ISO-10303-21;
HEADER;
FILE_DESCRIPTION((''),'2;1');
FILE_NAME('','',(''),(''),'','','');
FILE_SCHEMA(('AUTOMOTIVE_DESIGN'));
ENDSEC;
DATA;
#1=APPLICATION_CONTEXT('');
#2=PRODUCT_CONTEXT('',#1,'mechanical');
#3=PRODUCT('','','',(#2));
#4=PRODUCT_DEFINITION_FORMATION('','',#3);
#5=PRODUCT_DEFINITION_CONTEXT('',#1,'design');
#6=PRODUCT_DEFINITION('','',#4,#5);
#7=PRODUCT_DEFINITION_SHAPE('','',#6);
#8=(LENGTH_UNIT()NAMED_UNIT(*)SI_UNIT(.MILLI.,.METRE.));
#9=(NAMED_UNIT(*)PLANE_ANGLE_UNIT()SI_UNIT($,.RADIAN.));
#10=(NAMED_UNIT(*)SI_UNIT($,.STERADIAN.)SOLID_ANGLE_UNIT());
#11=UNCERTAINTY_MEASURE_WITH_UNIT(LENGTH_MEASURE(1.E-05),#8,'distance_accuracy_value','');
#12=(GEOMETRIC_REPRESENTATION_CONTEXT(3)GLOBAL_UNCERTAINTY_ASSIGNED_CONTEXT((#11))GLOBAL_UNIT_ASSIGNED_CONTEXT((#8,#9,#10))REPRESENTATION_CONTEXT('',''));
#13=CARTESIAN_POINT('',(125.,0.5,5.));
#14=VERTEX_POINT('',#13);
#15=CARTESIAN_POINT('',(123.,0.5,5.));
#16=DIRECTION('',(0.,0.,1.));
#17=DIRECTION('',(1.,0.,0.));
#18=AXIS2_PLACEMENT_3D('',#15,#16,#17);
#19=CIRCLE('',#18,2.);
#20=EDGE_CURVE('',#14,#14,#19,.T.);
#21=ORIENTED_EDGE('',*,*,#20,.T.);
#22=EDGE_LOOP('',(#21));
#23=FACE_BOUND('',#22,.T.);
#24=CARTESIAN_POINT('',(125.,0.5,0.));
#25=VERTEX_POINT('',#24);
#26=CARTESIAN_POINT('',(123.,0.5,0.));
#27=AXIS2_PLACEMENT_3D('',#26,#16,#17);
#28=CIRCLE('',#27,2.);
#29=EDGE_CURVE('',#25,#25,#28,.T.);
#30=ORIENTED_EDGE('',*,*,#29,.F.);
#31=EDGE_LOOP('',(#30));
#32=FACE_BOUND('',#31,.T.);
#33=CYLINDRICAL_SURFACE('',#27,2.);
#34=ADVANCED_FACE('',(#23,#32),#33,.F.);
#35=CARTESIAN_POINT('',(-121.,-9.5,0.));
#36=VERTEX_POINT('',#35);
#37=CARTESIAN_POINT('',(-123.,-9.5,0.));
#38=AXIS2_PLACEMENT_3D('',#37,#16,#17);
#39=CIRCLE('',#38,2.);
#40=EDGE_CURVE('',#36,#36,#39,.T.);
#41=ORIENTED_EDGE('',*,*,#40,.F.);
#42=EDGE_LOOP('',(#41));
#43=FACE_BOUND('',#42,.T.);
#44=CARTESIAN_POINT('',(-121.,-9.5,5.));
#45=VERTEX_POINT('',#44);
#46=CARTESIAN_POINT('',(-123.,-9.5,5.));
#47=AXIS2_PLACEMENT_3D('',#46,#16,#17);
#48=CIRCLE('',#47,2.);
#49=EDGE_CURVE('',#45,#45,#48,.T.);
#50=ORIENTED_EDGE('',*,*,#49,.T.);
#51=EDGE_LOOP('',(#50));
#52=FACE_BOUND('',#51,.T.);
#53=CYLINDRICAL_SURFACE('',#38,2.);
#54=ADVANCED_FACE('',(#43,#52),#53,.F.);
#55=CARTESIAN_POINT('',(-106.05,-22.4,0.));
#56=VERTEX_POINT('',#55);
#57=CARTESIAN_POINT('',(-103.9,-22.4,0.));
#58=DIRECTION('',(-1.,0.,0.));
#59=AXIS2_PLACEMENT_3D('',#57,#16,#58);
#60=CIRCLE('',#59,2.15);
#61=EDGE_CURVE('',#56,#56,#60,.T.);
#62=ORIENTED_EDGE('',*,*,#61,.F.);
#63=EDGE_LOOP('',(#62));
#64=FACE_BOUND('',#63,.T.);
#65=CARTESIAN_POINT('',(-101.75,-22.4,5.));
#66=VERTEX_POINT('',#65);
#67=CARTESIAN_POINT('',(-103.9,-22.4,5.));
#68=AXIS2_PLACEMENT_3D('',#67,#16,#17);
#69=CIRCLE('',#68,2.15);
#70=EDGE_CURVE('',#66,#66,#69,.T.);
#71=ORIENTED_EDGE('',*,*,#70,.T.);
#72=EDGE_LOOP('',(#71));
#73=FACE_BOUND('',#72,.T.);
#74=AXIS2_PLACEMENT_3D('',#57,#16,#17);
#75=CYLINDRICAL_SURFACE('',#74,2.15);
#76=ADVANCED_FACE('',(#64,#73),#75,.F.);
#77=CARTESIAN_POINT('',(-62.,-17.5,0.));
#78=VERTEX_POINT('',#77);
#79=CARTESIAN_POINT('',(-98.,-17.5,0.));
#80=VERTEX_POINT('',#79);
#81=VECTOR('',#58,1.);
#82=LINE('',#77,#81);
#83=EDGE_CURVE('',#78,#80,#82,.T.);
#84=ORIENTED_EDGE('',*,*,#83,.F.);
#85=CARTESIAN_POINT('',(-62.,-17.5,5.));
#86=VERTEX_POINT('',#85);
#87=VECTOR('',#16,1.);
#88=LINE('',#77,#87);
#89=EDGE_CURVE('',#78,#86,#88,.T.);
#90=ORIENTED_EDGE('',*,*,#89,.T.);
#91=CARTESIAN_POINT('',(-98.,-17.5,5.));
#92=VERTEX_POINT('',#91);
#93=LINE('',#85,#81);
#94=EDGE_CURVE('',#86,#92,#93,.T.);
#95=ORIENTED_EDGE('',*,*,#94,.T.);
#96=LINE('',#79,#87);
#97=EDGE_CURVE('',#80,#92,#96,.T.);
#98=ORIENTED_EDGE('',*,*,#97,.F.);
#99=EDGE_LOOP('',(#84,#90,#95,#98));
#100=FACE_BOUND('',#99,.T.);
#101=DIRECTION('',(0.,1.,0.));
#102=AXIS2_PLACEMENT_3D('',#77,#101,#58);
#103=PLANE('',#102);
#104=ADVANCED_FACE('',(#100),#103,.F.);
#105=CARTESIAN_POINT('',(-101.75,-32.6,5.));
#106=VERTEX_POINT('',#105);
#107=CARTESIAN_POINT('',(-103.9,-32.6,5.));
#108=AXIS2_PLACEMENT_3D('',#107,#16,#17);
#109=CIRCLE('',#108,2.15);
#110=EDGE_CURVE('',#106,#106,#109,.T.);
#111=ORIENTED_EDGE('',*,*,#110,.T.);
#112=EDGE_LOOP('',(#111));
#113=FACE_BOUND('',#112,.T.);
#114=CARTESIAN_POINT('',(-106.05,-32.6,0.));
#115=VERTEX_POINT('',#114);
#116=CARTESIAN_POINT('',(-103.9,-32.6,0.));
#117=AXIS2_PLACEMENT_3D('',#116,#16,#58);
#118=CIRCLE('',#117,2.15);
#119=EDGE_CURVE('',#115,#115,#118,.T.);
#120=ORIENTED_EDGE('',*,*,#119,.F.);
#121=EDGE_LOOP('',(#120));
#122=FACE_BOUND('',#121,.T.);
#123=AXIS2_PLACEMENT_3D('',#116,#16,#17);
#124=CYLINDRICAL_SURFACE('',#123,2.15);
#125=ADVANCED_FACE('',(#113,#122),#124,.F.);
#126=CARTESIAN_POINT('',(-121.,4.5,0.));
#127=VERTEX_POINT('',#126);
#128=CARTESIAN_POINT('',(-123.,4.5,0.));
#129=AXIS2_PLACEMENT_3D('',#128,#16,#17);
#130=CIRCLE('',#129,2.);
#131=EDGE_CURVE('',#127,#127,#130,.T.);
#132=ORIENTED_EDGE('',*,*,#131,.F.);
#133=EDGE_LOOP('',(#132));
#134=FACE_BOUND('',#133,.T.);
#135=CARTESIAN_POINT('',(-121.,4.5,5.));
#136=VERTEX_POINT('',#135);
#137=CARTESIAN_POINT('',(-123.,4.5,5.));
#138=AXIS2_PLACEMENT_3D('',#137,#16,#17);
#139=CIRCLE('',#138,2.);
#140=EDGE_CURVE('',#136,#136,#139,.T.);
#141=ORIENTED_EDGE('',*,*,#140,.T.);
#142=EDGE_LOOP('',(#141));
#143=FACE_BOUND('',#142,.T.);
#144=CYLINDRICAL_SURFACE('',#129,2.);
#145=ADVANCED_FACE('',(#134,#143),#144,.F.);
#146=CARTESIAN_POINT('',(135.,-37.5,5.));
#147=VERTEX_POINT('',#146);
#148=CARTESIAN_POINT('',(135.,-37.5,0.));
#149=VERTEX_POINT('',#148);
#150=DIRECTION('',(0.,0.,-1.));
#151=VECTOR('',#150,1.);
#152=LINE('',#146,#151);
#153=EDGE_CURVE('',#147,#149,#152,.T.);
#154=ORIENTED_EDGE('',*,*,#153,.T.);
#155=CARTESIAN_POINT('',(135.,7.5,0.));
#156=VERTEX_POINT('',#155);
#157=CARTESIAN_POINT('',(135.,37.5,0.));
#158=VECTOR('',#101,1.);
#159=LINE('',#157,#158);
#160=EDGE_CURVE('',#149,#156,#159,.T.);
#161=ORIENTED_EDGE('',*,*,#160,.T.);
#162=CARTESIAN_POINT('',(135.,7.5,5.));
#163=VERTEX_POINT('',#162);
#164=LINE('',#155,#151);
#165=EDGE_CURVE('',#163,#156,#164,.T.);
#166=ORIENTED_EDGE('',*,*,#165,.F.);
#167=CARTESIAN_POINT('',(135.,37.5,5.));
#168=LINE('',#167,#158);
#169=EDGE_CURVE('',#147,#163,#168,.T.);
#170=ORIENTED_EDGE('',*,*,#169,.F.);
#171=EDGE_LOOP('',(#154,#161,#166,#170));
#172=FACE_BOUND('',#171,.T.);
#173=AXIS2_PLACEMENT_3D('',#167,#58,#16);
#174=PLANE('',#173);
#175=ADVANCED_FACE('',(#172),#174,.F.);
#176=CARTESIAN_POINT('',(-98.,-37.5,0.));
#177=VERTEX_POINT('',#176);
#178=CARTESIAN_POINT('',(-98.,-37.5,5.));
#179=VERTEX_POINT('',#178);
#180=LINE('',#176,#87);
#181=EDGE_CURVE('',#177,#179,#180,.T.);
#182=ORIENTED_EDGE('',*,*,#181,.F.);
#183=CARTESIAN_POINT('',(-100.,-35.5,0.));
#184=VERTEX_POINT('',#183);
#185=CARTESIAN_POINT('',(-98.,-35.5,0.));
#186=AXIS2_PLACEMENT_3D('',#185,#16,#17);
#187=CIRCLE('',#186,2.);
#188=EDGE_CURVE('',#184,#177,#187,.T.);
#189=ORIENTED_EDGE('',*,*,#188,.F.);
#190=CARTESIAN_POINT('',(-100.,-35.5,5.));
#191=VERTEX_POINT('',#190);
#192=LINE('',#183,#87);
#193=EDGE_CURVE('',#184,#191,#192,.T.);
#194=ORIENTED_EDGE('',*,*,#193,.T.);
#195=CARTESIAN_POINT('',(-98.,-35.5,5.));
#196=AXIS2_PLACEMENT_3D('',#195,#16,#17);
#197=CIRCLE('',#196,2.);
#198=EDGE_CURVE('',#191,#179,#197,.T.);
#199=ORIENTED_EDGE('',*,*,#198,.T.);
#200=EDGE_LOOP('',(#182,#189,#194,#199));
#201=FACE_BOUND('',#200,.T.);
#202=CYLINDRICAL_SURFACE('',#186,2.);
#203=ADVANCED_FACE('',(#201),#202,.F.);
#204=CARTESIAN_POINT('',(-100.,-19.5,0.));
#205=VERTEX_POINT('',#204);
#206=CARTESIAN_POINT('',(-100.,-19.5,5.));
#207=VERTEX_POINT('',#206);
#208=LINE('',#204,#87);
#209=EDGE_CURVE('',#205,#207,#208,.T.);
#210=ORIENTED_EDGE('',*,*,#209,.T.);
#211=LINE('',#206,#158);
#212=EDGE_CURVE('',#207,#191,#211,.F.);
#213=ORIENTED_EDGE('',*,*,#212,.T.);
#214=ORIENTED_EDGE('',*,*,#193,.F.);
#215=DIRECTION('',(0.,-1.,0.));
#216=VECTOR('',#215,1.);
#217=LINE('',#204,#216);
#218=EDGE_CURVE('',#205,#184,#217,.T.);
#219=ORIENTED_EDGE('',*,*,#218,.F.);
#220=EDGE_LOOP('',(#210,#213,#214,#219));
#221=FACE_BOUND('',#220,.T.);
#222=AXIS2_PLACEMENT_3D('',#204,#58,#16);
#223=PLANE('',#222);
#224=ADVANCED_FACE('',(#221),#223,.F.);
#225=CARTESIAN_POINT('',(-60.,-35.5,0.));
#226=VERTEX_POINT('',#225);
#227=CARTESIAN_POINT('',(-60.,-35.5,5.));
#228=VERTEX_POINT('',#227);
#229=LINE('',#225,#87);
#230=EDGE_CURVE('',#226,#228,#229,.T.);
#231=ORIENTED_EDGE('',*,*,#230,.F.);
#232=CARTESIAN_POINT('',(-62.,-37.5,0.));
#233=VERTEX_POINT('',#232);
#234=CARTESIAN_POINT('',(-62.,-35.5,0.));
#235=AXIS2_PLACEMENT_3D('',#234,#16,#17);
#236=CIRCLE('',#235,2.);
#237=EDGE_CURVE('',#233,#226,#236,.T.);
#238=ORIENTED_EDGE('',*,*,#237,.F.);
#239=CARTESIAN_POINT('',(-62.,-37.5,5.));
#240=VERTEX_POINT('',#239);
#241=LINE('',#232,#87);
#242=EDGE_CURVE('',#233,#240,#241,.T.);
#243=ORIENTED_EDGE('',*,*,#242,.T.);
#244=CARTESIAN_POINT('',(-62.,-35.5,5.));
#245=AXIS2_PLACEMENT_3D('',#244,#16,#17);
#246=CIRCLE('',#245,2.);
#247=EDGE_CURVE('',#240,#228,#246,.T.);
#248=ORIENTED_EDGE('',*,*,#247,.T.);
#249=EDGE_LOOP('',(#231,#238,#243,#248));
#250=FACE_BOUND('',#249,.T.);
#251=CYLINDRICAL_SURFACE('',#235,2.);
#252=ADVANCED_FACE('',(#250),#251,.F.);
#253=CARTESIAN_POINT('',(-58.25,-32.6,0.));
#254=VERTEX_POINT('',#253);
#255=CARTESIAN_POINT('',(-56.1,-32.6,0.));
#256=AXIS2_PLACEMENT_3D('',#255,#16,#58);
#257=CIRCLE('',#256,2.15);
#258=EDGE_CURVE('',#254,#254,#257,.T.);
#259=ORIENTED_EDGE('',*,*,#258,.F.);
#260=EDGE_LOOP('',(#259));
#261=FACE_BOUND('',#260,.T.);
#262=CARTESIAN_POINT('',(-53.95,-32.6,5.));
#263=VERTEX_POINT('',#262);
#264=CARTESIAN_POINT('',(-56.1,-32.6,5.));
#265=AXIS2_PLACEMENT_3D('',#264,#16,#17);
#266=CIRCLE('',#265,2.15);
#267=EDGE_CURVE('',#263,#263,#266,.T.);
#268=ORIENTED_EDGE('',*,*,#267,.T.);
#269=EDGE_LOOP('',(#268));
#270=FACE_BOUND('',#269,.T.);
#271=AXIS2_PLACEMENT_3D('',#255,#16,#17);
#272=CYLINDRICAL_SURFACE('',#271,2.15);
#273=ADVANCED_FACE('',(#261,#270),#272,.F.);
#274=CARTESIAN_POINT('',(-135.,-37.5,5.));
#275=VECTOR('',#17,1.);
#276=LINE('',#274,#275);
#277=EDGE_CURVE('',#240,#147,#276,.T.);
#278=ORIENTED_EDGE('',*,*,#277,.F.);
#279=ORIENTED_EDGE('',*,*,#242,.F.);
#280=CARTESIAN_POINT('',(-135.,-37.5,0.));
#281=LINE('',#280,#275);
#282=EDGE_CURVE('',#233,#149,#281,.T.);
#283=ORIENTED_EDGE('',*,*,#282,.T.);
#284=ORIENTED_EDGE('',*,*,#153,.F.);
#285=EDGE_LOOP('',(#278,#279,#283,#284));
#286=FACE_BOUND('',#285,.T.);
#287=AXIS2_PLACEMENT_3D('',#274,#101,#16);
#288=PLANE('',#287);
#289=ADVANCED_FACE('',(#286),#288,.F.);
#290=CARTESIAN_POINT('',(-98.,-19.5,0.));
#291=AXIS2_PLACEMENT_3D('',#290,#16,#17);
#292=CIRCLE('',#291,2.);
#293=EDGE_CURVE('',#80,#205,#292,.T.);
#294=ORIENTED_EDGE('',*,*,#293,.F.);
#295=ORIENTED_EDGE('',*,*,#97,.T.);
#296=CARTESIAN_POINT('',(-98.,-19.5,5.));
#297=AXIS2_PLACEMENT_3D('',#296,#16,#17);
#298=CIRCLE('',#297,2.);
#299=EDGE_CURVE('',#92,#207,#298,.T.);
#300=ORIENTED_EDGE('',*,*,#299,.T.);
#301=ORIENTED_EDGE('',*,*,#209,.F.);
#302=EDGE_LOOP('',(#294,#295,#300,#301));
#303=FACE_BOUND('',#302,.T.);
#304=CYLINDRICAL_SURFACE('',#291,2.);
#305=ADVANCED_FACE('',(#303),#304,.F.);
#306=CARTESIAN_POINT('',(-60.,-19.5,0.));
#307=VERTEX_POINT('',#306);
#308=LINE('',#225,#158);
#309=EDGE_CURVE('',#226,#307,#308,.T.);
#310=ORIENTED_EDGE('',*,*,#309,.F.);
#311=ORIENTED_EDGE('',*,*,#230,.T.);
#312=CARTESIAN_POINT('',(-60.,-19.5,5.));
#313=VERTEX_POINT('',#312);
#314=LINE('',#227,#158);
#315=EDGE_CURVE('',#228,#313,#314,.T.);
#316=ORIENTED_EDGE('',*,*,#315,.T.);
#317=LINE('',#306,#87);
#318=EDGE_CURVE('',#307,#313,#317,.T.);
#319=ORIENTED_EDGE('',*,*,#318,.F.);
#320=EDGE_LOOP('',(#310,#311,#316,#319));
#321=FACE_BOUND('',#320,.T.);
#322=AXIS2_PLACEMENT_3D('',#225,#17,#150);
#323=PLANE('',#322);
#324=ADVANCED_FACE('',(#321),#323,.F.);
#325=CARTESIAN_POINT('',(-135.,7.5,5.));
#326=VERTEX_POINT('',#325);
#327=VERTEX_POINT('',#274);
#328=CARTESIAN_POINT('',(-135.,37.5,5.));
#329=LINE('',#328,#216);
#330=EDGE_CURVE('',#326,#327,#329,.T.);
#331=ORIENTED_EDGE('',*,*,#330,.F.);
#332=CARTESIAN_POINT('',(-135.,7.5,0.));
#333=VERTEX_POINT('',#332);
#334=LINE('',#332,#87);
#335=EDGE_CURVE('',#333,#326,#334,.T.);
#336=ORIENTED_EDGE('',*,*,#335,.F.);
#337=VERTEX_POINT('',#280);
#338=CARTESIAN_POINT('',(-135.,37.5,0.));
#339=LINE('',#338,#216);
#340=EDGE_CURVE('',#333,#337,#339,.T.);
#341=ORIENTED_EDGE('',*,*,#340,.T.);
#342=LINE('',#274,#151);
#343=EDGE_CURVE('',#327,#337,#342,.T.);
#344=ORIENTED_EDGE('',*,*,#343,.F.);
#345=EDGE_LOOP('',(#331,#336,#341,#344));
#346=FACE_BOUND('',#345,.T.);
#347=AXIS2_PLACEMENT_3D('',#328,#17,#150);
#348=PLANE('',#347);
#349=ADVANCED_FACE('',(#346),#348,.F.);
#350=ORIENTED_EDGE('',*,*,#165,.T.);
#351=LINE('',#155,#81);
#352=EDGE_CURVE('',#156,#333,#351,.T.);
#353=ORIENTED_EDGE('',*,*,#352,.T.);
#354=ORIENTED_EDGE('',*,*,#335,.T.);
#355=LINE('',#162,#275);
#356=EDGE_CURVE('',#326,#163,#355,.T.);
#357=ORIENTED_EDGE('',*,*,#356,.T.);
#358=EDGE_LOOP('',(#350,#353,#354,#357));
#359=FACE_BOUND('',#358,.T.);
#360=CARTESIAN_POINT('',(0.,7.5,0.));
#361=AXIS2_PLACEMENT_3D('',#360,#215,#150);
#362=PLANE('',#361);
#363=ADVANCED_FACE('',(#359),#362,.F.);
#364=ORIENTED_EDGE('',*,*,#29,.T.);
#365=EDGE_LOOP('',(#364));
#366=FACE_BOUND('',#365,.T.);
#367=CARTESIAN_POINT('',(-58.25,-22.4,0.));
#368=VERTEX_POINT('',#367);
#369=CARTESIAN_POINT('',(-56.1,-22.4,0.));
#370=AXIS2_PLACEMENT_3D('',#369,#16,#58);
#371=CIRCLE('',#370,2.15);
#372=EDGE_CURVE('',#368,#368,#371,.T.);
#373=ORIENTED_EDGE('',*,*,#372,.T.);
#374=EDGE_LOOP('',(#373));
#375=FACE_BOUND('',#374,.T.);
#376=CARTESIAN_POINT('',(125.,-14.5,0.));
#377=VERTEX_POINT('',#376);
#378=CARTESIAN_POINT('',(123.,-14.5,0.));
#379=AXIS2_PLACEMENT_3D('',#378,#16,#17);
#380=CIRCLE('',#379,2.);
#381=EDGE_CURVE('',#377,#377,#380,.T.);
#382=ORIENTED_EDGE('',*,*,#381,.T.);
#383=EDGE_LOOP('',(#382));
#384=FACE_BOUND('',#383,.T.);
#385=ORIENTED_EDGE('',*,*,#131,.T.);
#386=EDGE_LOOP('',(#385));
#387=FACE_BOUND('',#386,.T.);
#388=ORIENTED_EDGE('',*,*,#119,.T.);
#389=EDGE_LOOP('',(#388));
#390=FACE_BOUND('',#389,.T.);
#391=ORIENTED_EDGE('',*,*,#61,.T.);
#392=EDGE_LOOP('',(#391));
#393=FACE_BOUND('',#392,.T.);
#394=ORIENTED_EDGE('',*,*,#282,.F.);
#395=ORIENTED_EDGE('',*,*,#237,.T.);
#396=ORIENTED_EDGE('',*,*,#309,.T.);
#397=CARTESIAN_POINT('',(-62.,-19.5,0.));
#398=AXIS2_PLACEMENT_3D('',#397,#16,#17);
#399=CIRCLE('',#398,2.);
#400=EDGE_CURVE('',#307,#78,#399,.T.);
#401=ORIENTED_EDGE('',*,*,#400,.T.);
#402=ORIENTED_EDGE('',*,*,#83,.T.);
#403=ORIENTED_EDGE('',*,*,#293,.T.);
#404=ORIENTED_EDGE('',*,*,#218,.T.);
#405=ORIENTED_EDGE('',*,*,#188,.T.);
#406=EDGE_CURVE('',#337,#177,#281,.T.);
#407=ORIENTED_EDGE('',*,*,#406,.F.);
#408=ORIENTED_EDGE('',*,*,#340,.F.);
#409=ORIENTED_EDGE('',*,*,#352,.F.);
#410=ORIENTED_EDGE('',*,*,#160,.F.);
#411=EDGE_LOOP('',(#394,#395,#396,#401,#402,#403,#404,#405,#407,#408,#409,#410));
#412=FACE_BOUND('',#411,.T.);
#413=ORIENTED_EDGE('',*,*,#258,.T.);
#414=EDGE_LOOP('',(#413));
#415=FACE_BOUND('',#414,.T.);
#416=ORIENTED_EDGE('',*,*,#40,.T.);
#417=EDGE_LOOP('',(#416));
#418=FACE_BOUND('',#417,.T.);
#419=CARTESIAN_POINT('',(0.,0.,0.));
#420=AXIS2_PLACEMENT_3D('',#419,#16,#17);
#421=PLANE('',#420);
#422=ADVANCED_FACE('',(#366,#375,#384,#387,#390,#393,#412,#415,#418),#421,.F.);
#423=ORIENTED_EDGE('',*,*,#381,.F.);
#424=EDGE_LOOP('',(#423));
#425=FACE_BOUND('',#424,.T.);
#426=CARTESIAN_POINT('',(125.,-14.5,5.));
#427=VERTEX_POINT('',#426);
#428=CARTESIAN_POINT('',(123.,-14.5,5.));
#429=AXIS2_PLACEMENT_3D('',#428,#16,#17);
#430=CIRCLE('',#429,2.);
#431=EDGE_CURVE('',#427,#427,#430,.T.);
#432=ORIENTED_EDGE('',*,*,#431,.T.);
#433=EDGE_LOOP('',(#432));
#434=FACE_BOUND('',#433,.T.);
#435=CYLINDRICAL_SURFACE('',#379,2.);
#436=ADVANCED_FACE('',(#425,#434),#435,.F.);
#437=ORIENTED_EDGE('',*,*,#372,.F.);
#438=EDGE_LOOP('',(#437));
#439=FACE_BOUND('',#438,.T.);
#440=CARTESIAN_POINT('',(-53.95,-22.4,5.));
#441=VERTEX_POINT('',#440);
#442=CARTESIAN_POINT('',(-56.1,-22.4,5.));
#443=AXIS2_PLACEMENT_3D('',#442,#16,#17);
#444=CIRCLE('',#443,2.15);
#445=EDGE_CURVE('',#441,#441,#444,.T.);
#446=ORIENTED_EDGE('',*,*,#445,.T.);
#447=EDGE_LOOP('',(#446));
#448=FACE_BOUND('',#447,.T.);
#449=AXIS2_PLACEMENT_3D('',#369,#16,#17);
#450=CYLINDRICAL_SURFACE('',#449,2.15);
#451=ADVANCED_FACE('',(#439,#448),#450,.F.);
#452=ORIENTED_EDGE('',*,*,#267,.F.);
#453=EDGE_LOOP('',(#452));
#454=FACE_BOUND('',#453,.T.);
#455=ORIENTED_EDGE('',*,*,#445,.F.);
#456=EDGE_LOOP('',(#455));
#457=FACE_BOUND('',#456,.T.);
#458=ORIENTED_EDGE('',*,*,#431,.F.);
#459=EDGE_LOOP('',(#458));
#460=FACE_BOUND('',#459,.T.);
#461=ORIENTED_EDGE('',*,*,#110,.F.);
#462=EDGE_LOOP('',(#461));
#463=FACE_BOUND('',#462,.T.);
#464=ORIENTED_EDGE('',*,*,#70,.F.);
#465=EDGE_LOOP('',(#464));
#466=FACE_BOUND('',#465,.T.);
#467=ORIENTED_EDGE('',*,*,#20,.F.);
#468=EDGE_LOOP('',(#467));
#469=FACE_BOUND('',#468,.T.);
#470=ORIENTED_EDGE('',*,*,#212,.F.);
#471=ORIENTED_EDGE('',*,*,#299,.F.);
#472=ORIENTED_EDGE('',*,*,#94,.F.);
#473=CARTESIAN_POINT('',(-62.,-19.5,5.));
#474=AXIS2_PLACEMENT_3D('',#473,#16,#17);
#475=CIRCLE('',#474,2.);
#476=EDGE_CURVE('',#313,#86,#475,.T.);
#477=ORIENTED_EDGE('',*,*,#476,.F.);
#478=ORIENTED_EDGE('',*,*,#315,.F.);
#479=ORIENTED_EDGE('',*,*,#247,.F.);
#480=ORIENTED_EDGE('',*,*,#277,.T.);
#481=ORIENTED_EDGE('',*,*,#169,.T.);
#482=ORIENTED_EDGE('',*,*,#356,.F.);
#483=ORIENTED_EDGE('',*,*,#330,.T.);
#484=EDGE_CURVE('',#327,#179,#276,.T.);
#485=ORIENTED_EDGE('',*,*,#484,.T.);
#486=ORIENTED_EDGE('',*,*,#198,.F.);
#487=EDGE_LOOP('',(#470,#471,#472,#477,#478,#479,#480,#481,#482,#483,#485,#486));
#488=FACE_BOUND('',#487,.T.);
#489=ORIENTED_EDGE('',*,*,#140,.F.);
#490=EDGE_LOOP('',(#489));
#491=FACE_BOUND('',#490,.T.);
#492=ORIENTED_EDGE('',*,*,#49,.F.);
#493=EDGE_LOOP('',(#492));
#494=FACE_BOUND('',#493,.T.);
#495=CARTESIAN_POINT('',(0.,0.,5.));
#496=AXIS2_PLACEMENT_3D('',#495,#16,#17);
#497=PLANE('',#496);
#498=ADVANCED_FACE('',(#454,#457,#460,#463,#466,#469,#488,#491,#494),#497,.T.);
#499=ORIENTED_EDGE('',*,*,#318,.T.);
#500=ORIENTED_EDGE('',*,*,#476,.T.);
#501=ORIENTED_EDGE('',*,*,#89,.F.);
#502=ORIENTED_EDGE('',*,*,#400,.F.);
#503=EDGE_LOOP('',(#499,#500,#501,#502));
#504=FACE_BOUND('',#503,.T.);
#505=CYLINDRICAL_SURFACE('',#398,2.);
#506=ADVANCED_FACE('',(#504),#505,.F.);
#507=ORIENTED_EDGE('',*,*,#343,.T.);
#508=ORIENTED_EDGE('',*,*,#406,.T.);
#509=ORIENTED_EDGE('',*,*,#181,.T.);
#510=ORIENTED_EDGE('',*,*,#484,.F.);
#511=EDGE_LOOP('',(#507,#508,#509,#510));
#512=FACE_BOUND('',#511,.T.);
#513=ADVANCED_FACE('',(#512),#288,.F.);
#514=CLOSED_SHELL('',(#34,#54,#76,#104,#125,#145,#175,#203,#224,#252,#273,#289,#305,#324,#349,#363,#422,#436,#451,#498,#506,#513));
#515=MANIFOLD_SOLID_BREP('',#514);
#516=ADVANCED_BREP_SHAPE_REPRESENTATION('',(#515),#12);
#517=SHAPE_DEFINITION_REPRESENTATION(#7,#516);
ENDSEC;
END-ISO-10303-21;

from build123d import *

# Parameters (mm, degrees)
ESQUISSE1_W                  = 270
ESQUISSE1_H                  = 75
BOSS_EXTRU_1_DEPTH           = 5
ESQUISSE2_R                  = 2
ENL_V_MAT_EXTRU_1_DEPTH      = 141.200748928
ENL_V_MAT_EXTRU_2_DEPTH      = 141.200748928
ENL_V_MAT_EXTRU_2_DEPTH_BACK = 141.200748928
ESQUISSE4_W                  = 270
ESQUISSE4_H                  = 5
ENL_V_MAT_EXTRU_3_DEPTH      = 30


with BuildPart() as part:
    # Esquisse1 → Boss.-Extru.1 (new body)
    with BuildSketch(Plane.XY):
        Rectangle(ESQUISSE1_W, ESQUISSE1_H)
    extrude(amount=BOSS_EXTRU_1_DEPTH)

    # Esquisse2 → Enlèv. mat.-Extru.1 (cut, through all)
    with BuildSketch(Plane.XY.offset(5)):
        with Locations((123, 0.5)):
            Circle(ESQUISSE2_R)
        with Locations((123, -14.5)):
            Circle(ESQUISSE2_R)
        with Locations((-123, 4.5)):
            Circle(ESQUISSE2_R)
        with Locations((-123, -9.5)):
            Circle(ESQUISSE2_R)
    extrude(amount=-ENL_V_MAT_EXTRU_1_DEPTH, mode=Mode.SUBTRACT)

    # Esquisse3 → Enlèv. mat.-Extru.2 (cut, two sides: drawn at the far end of the back side and taken through both)
    with BuildSketch(Plane.XY.offset(5).offset(-ENL_V_MAT_EXTRU_2_DEPTH_BACK)):
        with BuildLine():
            Line((-98, -37.5), (-62, -37.5))
            ThreePointArc((-62, -37.5), (-60.585786438, -36.914213562), (-60, -35.5))
            Line((-60, -35.5), (-60, -19.5))
            ThreePointArc((-60, -19.5), (-60.585786438, -18.085786438), (-62, -17.5))
            Line((-62, -17.5), (-98, -17.5))
            ThreePointArc((-98, -17.5), (-99.414213562, -18.085786438), (-100, -19.5))
            Line((-100, -19.5), (-100, -35.5))
            ThreePointArc((-100, -35.5), (-99.414213562, -36.914213562), (-98, -37.5))
        make_face()
        with BuildLine():
            ThreePointArc((-54.387545621, -31.3), (-58.25, -32.6), (-54.387545621, -33.9))
            ThreePointArc((-54.387545621, -33.9), (-53.95, -32.6), (-54.387545621, -31.3))
        make_face()
        with BuildLine():
            ThreePointArc((-54.387545621, -21.1), (-58.25, -22.4), (-54.387545621, -23.7))
            ThreePointArc((-54.387545621, -23.7), (-53.95, -22.4), (-54.387545621, -21.1))
        make_face()
        with BuildLine():
            ThreePointArc((-105.612454379, -33.9), (-101.75, -32.6), (-105.612454379, -31.3))
            ThreePointArc((-105.612454379, -31.3), (-106.05, -32.6), (-105.612454379, -33.9))
        make_face()
        with BuildLine():
            ThreePointArc((-105.612454379, -23.7), (-101.75, -22.4), (-105.612454379, -21.1))
            ThreePointArc((-105.612454379, -21.1), (-106.05, -22.4), (-105.612454379, -23.7))
        make_face()
    extrude(amount=ENL_V_MAT_EXTRU_2_DEPTH + ENL_V_MAT_EXTRU_2_DEPTH_BACK, mode=Mode.SUBTRACT)

    # Esquisse4 → Enlèv. mat.-Extru.3 (cut)
    with BuildSketch(Plane(origin=(0, 37.5, 0), x_dir=(1, 0, 0), z_dir=(0, 1, 0))):
        with Locations((0, -2.5)):
            Rectangle(ESQUISSE4_W, ESQUISSE4_H)
    extrude(amount=-ENL_V_MAT_EXTRU_3_DEPTH, mode=Mode.SUBTRACT)


solid = part.part
